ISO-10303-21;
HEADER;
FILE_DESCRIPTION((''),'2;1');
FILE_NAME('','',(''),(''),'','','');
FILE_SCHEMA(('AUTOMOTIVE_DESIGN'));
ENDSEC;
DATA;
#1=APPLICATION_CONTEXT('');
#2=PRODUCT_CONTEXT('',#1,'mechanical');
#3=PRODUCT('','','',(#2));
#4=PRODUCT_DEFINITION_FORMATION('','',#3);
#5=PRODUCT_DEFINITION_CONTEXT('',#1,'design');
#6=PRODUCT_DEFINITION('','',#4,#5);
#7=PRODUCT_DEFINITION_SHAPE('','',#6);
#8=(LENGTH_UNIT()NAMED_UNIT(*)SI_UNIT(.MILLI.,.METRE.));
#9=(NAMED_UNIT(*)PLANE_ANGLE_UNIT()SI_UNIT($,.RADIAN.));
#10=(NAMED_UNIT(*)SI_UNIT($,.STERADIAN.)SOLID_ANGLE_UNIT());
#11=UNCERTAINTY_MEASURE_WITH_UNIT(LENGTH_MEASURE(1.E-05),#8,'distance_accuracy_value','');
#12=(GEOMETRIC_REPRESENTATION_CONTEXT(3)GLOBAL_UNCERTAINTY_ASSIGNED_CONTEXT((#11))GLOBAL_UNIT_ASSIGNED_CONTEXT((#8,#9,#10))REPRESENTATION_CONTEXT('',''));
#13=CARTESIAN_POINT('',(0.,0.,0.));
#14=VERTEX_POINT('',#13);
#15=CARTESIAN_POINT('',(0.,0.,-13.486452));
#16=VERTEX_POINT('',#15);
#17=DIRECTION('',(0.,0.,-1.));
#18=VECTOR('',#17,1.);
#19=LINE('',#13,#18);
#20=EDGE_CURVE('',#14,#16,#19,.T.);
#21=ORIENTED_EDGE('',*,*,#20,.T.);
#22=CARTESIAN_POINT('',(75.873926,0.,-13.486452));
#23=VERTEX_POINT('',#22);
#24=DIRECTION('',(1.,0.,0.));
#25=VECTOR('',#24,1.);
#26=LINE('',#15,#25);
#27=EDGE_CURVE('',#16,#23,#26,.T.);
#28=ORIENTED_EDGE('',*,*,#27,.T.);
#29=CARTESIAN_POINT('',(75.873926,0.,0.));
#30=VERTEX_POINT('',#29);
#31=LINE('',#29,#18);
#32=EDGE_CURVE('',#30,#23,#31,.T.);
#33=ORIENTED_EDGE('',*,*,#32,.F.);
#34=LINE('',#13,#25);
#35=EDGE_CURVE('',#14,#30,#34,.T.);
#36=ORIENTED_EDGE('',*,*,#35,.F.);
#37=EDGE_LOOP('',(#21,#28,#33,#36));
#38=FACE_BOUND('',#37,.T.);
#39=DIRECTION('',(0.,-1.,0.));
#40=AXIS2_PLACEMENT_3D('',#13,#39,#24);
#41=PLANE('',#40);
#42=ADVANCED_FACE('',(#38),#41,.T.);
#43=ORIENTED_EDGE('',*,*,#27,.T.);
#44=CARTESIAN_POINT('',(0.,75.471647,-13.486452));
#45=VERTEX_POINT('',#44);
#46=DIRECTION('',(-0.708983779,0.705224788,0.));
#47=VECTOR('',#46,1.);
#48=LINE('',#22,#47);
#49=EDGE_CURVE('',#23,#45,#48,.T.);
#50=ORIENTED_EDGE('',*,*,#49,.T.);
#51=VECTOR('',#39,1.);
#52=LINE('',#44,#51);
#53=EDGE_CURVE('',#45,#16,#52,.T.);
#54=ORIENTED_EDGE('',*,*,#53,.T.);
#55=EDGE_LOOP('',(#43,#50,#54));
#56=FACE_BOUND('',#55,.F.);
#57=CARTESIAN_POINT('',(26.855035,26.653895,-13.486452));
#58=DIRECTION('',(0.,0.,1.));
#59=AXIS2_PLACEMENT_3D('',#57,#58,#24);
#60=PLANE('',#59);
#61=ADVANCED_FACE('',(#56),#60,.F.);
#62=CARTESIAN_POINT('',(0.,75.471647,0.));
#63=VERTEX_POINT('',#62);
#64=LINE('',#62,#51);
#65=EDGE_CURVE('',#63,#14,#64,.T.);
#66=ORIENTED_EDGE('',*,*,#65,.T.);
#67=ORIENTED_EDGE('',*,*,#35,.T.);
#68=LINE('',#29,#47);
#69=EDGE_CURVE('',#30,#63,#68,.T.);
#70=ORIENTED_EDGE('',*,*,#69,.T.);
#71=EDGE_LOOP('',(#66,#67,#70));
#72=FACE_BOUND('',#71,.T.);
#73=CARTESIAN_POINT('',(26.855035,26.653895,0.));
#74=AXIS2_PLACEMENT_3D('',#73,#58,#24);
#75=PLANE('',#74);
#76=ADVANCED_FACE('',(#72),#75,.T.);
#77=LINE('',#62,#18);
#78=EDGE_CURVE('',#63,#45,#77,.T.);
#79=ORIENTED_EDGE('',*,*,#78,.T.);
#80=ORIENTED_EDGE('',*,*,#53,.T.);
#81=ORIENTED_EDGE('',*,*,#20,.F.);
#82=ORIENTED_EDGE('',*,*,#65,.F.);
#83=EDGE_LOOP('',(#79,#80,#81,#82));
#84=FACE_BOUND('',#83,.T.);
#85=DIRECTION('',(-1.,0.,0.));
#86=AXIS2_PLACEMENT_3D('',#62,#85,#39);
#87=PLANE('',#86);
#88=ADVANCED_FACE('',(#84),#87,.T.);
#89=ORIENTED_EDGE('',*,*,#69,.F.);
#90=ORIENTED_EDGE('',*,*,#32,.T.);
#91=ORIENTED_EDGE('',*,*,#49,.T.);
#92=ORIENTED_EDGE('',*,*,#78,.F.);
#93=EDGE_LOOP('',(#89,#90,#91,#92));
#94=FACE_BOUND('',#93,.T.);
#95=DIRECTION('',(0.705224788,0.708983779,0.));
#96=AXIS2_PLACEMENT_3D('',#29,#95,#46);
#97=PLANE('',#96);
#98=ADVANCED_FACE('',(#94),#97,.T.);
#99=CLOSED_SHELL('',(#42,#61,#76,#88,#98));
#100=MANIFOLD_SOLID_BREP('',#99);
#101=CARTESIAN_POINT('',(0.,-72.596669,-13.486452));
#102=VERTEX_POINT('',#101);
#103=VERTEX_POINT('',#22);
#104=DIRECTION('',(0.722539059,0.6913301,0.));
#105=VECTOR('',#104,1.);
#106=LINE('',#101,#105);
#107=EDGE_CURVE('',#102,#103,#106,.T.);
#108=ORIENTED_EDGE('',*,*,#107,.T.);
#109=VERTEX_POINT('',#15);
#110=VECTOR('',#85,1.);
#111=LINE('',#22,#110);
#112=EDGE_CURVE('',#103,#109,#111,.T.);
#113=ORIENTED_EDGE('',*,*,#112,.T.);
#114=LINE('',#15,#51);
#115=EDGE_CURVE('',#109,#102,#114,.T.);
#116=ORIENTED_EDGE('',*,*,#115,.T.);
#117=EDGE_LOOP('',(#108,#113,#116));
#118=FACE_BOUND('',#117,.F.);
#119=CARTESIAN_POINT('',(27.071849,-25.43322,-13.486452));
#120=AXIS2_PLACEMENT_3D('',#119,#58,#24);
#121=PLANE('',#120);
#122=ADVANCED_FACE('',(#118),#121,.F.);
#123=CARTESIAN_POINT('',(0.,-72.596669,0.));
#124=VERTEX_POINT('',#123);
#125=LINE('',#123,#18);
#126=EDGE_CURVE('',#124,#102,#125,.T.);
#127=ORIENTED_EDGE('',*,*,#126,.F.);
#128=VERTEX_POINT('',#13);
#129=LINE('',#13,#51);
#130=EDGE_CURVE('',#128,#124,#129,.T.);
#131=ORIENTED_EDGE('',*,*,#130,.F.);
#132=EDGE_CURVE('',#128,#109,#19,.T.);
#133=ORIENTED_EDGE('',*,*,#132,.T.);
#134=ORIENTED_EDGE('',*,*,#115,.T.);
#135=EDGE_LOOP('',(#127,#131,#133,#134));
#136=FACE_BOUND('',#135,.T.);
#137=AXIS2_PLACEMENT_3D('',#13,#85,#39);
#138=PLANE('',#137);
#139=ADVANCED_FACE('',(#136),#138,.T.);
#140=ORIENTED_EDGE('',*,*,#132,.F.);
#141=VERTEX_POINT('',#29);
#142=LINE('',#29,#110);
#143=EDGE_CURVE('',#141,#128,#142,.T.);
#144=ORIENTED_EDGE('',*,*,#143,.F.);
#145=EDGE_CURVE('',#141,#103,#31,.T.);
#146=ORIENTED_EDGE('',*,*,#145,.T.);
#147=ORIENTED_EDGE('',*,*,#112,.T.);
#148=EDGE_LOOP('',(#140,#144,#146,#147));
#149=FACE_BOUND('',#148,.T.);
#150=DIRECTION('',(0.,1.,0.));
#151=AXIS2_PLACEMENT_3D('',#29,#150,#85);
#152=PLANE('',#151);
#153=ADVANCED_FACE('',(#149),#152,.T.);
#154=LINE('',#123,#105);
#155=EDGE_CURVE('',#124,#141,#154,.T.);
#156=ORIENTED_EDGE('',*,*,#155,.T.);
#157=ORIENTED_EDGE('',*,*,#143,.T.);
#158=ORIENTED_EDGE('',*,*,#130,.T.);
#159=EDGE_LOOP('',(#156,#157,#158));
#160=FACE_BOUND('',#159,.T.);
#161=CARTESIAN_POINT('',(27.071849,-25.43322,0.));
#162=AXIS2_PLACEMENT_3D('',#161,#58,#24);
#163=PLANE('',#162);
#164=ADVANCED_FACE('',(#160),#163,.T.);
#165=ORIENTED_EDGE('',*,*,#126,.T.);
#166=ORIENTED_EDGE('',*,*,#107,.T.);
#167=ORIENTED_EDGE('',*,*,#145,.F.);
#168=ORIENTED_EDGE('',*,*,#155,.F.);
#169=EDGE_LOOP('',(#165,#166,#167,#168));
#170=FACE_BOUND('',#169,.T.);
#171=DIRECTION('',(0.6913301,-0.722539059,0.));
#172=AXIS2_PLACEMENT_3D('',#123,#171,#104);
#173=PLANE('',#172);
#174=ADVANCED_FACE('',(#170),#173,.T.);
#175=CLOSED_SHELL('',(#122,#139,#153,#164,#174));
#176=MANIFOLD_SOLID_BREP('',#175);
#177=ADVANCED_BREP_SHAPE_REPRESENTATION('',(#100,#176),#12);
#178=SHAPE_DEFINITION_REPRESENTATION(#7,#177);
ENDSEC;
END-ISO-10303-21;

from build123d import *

# Parameters (mm, degrees)
F2_DEPTH = 13.4864524007


with BuildPart() as f2:
    # F0 (on Top) → F2 (new body)
    with BuildSketch(Plane.XY):
        Polygon((0, 0), (75.8739262819, 0), (0, 75.4716470838), align=None)
    extrude(amount=-F2_DEPTH)


with BuildPart() as f2b:
    # F1 (on face) → F2, piece 2 (new body)
    with BuildSketch(Plane.XY):
        Polygon((0, 0), (0, -72.5966691971), (75.8739262819, 0), align=None)
    extrude(amount=-F2_DEPTH)


solid = Compound([f2.part, f2b.part])
